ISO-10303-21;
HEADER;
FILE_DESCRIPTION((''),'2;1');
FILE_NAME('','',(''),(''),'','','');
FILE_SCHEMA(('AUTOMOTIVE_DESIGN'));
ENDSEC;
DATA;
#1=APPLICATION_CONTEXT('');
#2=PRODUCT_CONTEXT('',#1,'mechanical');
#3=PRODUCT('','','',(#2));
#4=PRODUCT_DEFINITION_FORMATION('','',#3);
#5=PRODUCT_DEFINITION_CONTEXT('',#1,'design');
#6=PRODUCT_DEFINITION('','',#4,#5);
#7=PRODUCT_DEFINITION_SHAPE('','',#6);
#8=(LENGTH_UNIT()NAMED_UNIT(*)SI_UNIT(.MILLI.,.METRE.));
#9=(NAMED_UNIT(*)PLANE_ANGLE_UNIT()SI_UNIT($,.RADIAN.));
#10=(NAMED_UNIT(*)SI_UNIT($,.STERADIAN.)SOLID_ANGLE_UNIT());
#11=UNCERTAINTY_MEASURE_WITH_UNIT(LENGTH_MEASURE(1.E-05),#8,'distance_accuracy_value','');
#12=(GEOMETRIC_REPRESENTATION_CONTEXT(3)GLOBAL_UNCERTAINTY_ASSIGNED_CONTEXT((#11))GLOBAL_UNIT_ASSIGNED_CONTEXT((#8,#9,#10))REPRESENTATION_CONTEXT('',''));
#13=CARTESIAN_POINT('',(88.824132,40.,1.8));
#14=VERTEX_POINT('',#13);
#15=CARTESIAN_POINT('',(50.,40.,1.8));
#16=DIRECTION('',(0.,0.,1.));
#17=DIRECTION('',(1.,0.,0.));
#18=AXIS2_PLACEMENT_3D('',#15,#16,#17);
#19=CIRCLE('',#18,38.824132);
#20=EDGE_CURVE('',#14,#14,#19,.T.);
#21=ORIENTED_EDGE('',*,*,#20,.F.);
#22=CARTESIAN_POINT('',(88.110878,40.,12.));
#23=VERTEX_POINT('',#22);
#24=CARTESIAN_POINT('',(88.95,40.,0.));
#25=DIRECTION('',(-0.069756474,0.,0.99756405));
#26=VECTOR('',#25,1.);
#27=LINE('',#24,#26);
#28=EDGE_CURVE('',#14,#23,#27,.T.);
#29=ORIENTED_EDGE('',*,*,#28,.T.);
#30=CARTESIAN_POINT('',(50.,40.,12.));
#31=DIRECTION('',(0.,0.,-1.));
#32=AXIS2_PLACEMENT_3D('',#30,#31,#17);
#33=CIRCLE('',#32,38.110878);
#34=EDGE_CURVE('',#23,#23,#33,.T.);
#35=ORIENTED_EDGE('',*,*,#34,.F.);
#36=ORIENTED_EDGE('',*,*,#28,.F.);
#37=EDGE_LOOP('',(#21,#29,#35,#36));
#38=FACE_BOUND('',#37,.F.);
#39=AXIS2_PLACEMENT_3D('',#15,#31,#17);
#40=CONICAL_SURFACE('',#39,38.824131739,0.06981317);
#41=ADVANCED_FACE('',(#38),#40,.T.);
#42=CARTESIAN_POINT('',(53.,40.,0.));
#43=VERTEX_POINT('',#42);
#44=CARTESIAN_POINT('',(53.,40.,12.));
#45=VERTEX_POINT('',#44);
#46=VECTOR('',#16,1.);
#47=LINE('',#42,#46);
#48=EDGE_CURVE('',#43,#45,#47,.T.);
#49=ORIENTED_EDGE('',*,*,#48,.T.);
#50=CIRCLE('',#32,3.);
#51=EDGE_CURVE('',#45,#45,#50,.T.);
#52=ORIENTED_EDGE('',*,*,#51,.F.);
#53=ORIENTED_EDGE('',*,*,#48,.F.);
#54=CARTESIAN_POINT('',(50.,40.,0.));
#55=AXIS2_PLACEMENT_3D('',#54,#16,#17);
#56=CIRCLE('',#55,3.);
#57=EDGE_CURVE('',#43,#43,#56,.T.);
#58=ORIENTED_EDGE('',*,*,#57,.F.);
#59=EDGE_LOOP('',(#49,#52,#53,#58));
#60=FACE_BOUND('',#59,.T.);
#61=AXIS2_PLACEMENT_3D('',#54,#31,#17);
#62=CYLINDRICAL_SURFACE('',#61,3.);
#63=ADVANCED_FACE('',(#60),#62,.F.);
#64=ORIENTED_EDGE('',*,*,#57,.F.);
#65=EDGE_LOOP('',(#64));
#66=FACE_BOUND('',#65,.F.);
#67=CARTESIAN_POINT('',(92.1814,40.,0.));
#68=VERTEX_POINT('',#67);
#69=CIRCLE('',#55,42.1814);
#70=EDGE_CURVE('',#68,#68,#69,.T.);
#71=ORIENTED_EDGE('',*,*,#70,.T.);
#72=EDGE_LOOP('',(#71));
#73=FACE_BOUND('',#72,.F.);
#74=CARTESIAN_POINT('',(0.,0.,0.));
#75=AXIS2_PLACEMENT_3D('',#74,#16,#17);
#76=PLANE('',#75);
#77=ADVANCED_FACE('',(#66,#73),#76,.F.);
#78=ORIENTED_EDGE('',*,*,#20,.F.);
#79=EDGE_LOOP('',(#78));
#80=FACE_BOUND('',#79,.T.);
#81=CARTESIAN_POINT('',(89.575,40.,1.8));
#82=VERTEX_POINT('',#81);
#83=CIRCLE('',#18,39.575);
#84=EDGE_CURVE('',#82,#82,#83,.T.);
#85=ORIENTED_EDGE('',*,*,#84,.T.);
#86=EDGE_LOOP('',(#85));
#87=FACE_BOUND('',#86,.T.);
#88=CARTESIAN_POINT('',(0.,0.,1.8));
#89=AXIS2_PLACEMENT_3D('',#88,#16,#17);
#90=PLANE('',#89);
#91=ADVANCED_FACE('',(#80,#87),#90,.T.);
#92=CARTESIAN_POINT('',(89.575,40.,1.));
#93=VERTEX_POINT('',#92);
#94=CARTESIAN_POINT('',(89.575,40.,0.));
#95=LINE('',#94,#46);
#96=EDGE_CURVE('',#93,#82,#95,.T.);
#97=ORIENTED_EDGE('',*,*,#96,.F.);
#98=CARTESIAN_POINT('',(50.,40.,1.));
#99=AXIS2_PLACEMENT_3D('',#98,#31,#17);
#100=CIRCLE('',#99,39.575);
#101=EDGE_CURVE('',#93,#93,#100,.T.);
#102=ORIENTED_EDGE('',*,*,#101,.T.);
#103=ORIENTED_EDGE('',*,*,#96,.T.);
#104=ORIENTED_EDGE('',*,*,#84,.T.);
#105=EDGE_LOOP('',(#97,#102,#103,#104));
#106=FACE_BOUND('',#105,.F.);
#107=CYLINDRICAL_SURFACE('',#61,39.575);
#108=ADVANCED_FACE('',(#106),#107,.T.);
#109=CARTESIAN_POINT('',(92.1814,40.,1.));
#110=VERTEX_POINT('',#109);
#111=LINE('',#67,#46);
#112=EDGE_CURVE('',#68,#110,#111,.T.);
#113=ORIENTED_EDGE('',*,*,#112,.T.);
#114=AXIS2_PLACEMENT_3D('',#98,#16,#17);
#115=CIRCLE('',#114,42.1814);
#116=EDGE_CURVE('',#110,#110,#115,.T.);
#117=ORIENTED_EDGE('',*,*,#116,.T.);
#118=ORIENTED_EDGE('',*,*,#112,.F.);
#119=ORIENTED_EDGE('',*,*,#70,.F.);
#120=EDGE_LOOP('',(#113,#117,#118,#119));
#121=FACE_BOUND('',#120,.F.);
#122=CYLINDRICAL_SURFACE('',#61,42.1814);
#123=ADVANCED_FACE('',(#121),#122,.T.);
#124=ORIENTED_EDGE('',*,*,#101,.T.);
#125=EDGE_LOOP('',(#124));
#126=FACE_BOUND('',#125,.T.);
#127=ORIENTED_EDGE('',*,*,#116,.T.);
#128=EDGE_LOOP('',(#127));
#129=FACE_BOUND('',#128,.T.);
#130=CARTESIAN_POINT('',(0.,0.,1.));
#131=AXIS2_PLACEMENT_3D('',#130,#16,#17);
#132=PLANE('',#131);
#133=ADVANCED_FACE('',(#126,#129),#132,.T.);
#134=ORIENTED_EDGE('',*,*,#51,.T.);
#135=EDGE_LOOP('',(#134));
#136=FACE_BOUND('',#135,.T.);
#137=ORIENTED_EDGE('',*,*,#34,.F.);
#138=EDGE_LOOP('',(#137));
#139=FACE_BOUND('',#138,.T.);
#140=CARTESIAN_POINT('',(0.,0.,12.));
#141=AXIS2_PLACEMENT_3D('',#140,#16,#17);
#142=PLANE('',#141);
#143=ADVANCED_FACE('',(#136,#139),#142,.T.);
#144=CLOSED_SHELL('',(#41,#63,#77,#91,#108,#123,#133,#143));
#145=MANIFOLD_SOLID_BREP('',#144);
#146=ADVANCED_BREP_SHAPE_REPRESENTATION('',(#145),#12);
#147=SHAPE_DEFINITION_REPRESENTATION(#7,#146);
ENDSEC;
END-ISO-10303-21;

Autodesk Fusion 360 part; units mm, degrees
sketch "Sketch1" plane through (0, 0, 0) normal (0, 0, 1) x (1, 0, 0)
  line L0 (0, 0) -> (200, 0)
  line L1 (200, 0) -> (200, 200)
  line L2 (200, 200) -> (0, 200)
  line L3 (0, 200) -> (0, 0)
  dimension "d1" = 200
  dimension "d2" = 200
extrude "Extrude1" add sketch "Sketch1" along normal blind 12 makes body 1
sketch "Sketch2" plane through (0, 0, 0) normal (0, 0, 1) x (1, 0, 0)
  circle A0 centre (50, 40) radius 38.95
  circle A1 centre (50, 40) radius 39.575
  circle A2 centre (50, 40) radius 39.325
  dimension "d5" = 77.9
  dimension "d6" = 79.15
  dimension "d15" = 78.65
extrude "Extrude2" add sketch "Sketch2" along normal blind 0.1 separate body contours A0 | A1 | A2 makes body 2
extrude "Extrude3" cut sketch "Sketch2" along normal blind 2.55 contours A1 | A2 bodies 2
extrude "Extrude5" add sketch "Sketch2" along normal blind 3.8 contours A1 | A2 bodies 2
extrude "Extrude4" cut sketch "Sketch2" along normal blind 2.55 contours A2 bodies 2 makes body 3 at (55.9532, 44.0588, 0)
extrude "Extrude6" add sketch "Sketch2" along normal blind 0.1 contours A2 bodies 2 3
extrude "Extrude7" add sketch "Sketch2" along normal blind 3 separate body contours A2 makes body 4
move_body "Move1" bodies 4 to x (1, 0, 0) y (0, 1, 0) z (0, 0, 1) at (0, 0, 3.55)
combine "Combine1" operation cut target body 2 tool bodies 4
extrude "Extrude8" cut 1 faces at (88.1759, 49.7182, 3.8) along direction (0, 0, -1) blind 0.24 on bodies 2 bodies 2
extrude "Extrude9" add 1 faces at (88.1759, 49.7182, 3.56) along direction (0, 0, 1) blind 1.5 on bodies 2 bodies 2
copy_body "CopyPasteBodies1" bodies 1 makes body 5
extrude "Extrude10" cut sketch "Sketch2" along normal blind 25 contours A0 | A1 | A2 keep common part bodies 5
extrude "Extrude11" add sketch "Sketch2" along normal blind 20 separate body contours A1 | A2 makes body 6
move_body "Move2" bodies 6 to x (1, 0, 0) y (0, 1, 0) z (0, 0, 1) at (0, 0, 1.8)
combine "Combine2" operation cut target body 5 tool bodies 6
draft "Draft2" angle -4 neutral plane through (0, 0, 0) pull (0, 0, -1) 1 faces at (88.7564, 43.8782, 8.6) on bodies 5
sketch "AirHole" plane through (0, 0, 0) normal (0, 0, 1) x (1, 0, 0)
  circle A0 centre (50, 40) radius 3
  circle A1 centre (50, 40) radius 0.5
  dimension "d28" = 6
  dimension "d29" = 1
extrude "Extrude12" cut sketch "AirHole" along normal blind 26 contours A0 | A1 bodies 5
sketch "Sketch4" plane through (0, 0, 0) normal (0, 0, 1) x (1, 0, 0)
  circle A0 centre (50, 40) radius 42.1814
extrude "Extrude13" add sketch "Sketch4" along normal blind 1 bodies 5
extrude "Extrude14" cut sketch "AirHole" along normal blind 15 contours A0 | A1 bodies 5
sketch "Sketch5" plane through (0, 0, 0) normal (1, 0, 0) x (0, 1, 0)
sketch "Sketch6" plane through (0, 0, 0) normal (1, 0, 0) x (0, 1, 0)
sketch "Sketch7" plane through (0, 0, 0) normal (0, 0, 1) x (1, 0, 0)
  circle A0 centre (50, 40) radius 42.2
  circle A1 centre (50, 40) radius 42.2
  circle A2 centre (50, 40) radius 48.2
  circle A3 centre (50, 40) radius 55.2268
  dimension "d41" = 84.4
  dimension "d42" = 96.4
extrude "Extrude15" add sketch "Sketch7" along normal blind 12 separate body contours A3 makes body 7
hidden bodies 1 2 7
equation "d3 = WoodHeight"
equation "d5 = d6 - 1.25 mm"
equation "d15 = d6 - 0.5 mm"
equation "WoodHeight = 12 mm"
equation "d42 = d41 + 12 mm"
equation "CutDim = 6 mm"
equation "d44 = WoodHeight"
